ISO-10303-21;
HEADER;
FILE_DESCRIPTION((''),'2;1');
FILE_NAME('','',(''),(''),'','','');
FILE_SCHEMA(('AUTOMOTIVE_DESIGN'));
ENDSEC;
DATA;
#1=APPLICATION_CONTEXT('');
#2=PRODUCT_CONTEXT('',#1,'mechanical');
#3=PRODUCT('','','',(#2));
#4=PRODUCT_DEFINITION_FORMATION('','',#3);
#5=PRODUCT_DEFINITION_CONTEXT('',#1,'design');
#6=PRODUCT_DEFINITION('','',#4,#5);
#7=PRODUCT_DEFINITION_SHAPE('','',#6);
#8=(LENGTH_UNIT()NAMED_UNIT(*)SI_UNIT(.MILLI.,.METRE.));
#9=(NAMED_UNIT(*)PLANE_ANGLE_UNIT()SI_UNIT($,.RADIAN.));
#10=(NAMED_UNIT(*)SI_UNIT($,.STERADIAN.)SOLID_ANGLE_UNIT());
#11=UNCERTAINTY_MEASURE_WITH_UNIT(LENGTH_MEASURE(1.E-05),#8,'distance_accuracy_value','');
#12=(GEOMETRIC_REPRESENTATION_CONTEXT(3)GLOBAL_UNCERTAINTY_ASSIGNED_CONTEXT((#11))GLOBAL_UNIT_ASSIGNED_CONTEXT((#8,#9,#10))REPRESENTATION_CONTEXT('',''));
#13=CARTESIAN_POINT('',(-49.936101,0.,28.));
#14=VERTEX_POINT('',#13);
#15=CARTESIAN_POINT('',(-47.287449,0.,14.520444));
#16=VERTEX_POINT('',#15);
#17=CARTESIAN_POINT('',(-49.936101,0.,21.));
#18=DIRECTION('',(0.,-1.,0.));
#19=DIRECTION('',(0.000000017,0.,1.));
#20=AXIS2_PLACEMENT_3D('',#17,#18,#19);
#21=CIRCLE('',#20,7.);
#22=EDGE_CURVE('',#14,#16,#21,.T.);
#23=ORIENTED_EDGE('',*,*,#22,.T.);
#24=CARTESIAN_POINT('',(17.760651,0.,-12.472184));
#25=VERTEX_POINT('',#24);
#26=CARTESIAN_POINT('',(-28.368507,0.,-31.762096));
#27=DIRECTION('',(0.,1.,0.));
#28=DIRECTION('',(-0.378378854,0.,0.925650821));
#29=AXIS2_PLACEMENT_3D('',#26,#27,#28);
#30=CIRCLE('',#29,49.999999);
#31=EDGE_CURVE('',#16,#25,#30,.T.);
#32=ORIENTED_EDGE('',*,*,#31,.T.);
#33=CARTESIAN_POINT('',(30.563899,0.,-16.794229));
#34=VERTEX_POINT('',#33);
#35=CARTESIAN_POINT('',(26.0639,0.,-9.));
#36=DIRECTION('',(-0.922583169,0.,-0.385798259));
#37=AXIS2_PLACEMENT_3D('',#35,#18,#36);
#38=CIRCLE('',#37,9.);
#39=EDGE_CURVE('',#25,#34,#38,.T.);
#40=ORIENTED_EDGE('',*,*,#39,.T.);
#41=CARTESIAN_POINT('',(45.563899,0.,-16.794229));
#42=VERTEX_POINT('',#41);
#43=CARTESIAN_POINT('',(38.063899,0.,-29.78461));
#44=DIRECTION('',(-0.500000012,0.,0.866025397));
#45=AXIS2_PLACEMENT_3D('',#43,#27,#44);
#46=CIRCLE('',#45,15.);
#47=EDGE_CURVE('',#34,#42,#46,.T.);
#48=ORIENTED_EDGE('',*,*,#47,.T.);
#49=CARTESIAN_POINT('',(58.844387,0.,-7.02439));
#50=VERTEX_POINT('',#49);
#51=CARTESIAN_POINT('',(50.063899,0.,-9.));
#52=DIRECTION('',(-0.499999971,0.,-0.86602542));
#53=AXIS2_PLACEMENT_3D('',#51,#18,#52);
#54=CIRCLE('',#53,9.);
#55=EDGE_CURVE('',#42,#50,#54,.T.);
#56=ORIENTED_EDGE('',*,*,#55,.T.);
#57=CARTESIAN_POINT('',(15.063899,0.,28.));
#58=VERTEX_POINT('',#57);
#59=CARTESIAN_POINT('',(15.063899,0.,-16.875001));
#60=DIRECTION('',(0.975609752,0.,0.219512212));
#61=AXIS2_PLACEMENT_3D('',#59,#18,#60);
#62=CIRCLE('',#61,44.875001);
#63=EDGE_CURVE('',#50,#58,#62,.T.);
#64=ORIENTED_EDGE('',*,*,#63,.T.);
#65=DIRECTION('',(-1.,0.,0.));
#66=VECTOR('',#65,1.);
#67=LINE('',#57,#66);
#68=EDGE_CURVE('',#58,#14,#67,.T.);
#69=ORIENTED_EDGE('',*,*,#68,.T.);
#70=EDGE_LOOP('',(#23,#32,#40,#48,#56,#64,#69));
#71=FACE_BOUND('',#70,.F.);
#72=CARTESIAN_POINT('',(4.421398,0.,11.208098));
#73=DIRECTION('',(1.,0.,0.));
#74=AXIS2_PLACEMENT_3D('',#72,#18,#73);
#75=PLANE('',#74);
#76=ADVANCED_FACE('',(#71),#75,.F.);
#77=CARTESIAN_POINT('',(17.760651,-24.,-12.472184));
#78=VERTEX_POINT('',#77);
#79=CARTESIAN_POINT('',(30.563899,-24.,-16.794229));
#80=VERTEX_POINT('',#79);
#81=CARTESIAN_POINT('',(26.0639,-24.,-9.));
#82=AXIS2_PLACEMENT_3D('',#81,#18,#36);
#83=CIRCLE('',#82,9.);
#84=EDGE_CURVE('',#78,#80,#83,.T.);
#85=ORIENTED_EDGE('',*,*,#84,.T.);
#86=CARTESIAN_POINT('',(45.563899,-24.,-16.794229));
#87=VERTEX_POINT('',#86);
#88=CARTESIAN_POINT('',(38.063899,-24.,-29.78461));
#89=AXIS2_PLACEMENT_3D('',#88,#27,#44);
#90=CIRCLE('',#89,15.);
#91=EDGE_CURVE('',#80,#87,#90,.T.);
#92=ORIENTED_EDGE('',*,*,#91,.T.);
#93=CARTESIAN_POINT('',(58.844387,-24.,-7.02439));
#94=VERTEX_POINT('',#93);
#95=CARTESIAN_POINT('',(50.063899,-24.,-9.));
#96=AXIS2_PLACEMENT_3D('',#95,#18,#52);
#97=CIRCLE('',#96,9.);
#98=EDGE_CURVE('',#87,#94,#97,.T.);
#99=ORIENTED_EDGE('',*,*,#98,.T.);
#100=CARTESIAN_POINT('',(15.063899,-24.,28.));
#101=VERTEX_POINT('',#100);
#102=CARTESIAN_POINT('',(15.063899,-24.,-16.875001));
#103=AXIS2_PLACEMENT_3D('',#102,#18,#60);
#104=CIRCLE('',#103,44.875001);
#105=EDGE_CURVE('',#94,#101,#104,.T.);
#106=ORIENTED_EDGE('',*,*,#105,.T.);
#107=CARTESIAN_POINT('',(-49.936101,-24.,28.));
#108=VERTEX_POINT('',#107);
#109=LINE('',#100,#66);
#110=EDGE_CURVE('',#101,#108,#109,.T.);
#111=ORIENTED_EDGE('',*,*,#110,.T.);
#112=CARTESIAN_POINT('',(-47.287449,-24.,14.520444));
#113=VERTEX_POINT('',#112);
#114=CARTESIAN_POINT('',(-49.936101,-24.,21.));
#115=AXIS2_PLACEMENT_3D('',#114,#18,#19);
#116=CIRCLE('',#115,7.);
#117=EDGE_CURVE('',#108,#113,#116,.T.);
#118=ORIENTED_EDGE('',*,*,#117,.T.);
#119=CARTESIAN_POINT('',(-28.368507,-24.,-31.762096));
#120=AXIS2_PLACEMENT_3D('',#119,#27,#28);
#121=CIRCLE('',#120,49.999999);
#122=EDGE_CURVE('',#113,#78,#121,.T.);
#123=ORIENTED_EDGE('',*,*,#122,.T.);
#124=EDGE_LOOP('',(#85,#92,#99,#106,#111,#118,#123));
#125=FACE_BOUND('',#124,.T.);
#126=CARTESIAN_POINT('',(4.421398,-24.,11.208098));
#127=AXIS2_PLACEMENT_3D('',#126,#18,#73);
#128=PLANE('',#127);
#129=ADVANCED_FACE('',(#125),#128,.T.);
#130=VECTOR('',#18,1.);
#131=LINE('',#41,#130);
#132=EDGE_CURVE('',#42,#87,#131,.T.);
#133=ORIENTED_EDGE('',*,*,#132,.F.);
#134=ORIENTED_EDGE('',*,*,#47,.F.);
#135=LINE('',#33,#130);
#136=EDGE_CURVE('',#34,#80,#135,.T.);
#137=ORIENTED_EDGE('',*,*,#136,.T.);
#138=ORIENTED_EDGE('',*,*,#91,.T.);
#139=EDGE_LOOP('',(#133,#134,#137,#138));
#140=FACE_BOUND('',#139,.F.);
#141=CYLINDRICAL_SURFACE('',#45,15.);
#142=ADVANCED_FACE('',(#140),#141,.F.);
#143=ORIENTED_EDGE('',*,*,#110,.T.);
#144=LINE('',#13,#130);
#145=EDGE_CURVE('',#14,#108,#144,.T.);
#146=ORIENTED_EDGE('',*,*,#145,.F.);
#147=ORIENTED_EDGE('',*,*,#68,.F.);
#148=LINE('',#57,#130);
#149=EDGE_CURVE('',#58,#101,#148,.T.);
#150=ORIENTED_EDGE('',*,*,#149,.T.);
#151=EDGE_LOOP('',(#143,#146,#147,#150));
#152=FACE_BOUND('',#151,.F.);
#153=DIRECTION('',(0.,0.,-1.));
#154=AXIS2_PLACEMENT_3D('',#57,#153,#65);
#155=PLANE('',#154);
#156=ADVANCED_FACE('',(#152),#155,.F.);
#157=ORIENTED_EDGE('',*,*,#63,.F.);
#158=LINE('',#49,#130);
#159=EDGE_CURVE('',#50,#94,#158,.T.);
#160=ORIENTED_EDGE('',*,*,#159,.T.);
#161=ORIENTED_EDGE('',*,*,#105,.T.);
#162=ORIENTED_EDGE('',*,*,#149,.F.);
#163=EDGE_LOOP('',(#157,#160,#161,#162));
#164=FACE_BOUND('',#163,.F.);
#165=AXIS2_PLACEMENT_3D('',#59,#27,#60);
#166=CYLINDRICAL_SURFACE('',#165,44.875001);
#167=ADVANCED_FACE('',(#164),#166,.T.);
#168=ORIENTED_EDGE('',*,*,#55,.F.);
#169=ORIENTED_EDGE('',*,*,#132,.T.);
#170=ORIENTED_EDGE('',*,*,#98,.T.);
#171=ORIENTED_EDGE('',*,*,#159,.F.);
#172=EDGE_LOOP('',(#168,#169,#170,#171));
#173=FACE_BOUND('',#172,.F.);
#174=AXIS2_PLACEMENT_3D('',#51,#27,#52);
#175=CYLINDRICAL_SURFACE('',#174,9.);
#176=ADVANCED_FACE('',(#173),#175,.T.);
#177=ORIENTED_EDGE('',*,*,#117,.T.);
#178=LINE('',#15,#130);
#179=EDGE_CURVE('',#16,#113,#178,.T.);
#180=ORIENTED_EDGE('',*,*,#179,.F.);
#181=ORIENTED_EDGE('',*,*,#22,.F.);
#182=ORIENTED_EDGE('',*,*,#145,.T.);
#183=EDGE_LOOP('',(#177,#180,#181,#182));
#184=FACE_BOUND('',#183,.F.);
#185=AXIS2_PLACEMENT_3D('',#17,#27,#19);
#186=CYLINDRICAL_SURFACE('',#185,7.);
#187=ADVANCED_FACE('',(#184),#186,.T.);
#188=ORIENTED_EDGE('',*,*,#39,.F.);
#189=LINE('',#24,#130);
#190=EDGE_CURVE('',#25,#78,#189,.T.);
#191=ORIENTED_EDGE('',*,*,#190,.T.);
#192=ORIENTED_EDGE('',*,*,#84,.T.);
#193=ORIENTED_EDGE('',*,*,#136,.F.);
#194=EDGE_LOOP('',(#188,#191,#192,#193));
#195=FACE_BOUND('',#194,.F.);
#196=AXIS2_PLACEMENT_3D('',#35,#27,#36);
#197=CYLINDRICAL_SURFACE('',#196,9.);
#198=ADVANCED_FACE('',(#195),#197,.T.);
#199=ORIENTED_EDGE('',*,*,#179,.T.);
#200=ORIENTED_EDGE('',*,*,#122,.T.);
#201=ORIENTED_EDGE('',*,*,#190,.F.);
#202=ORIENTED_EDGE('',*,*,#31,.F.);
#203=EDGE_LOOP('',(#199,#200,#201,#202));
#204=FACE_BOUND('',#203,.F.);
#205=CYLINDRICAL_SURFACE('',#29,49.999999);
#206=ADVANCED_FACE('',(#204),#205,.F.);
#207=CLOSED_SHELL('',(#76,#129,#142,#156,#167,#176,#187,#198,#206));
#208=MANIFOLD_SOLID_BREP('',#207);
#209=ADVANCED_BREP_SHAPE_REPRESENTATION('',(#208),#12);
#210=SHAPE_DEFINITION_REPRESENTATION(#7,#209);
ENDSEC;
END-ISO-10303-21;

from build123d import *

# Parameters (mm, degrees)
F1_DEPTH = 24


with BuildPart() as f1:
    # F0 (on Front) → F1 (new body)
    with BuildSketch(Plane.XZ):
        with BuildLine():
            Line((15.063899, 28), (-49.936101, 28))
            ThreePointArc((-49.936101, 28), (-56.804758, 19.65035), (-47.287449, 14.520444))
            ThreePointArc((-47.287449, 14.520444), (-9.204753, 14.419615), (17.760651, -12.472184))
            ThreePointArc((17.760651, -12.472184), (23.185325, -17.527239), (30.563899, -16.794229))
            ThreePointArc((30.563899, -16.794229), (38.063899, -14.78461), (45.563899, -16.794229))
            ThreePointArc((45.563899, -16.794229), (55.397105, -16.249615), (58.844387, -7.02439))
            ThreePointArc((58.844387, -7.02439), (43.097089, 18.166488), (15.063899, 28))
        make_face()
    extrude(amount=F1_DEPTH)


solid = f1.part
